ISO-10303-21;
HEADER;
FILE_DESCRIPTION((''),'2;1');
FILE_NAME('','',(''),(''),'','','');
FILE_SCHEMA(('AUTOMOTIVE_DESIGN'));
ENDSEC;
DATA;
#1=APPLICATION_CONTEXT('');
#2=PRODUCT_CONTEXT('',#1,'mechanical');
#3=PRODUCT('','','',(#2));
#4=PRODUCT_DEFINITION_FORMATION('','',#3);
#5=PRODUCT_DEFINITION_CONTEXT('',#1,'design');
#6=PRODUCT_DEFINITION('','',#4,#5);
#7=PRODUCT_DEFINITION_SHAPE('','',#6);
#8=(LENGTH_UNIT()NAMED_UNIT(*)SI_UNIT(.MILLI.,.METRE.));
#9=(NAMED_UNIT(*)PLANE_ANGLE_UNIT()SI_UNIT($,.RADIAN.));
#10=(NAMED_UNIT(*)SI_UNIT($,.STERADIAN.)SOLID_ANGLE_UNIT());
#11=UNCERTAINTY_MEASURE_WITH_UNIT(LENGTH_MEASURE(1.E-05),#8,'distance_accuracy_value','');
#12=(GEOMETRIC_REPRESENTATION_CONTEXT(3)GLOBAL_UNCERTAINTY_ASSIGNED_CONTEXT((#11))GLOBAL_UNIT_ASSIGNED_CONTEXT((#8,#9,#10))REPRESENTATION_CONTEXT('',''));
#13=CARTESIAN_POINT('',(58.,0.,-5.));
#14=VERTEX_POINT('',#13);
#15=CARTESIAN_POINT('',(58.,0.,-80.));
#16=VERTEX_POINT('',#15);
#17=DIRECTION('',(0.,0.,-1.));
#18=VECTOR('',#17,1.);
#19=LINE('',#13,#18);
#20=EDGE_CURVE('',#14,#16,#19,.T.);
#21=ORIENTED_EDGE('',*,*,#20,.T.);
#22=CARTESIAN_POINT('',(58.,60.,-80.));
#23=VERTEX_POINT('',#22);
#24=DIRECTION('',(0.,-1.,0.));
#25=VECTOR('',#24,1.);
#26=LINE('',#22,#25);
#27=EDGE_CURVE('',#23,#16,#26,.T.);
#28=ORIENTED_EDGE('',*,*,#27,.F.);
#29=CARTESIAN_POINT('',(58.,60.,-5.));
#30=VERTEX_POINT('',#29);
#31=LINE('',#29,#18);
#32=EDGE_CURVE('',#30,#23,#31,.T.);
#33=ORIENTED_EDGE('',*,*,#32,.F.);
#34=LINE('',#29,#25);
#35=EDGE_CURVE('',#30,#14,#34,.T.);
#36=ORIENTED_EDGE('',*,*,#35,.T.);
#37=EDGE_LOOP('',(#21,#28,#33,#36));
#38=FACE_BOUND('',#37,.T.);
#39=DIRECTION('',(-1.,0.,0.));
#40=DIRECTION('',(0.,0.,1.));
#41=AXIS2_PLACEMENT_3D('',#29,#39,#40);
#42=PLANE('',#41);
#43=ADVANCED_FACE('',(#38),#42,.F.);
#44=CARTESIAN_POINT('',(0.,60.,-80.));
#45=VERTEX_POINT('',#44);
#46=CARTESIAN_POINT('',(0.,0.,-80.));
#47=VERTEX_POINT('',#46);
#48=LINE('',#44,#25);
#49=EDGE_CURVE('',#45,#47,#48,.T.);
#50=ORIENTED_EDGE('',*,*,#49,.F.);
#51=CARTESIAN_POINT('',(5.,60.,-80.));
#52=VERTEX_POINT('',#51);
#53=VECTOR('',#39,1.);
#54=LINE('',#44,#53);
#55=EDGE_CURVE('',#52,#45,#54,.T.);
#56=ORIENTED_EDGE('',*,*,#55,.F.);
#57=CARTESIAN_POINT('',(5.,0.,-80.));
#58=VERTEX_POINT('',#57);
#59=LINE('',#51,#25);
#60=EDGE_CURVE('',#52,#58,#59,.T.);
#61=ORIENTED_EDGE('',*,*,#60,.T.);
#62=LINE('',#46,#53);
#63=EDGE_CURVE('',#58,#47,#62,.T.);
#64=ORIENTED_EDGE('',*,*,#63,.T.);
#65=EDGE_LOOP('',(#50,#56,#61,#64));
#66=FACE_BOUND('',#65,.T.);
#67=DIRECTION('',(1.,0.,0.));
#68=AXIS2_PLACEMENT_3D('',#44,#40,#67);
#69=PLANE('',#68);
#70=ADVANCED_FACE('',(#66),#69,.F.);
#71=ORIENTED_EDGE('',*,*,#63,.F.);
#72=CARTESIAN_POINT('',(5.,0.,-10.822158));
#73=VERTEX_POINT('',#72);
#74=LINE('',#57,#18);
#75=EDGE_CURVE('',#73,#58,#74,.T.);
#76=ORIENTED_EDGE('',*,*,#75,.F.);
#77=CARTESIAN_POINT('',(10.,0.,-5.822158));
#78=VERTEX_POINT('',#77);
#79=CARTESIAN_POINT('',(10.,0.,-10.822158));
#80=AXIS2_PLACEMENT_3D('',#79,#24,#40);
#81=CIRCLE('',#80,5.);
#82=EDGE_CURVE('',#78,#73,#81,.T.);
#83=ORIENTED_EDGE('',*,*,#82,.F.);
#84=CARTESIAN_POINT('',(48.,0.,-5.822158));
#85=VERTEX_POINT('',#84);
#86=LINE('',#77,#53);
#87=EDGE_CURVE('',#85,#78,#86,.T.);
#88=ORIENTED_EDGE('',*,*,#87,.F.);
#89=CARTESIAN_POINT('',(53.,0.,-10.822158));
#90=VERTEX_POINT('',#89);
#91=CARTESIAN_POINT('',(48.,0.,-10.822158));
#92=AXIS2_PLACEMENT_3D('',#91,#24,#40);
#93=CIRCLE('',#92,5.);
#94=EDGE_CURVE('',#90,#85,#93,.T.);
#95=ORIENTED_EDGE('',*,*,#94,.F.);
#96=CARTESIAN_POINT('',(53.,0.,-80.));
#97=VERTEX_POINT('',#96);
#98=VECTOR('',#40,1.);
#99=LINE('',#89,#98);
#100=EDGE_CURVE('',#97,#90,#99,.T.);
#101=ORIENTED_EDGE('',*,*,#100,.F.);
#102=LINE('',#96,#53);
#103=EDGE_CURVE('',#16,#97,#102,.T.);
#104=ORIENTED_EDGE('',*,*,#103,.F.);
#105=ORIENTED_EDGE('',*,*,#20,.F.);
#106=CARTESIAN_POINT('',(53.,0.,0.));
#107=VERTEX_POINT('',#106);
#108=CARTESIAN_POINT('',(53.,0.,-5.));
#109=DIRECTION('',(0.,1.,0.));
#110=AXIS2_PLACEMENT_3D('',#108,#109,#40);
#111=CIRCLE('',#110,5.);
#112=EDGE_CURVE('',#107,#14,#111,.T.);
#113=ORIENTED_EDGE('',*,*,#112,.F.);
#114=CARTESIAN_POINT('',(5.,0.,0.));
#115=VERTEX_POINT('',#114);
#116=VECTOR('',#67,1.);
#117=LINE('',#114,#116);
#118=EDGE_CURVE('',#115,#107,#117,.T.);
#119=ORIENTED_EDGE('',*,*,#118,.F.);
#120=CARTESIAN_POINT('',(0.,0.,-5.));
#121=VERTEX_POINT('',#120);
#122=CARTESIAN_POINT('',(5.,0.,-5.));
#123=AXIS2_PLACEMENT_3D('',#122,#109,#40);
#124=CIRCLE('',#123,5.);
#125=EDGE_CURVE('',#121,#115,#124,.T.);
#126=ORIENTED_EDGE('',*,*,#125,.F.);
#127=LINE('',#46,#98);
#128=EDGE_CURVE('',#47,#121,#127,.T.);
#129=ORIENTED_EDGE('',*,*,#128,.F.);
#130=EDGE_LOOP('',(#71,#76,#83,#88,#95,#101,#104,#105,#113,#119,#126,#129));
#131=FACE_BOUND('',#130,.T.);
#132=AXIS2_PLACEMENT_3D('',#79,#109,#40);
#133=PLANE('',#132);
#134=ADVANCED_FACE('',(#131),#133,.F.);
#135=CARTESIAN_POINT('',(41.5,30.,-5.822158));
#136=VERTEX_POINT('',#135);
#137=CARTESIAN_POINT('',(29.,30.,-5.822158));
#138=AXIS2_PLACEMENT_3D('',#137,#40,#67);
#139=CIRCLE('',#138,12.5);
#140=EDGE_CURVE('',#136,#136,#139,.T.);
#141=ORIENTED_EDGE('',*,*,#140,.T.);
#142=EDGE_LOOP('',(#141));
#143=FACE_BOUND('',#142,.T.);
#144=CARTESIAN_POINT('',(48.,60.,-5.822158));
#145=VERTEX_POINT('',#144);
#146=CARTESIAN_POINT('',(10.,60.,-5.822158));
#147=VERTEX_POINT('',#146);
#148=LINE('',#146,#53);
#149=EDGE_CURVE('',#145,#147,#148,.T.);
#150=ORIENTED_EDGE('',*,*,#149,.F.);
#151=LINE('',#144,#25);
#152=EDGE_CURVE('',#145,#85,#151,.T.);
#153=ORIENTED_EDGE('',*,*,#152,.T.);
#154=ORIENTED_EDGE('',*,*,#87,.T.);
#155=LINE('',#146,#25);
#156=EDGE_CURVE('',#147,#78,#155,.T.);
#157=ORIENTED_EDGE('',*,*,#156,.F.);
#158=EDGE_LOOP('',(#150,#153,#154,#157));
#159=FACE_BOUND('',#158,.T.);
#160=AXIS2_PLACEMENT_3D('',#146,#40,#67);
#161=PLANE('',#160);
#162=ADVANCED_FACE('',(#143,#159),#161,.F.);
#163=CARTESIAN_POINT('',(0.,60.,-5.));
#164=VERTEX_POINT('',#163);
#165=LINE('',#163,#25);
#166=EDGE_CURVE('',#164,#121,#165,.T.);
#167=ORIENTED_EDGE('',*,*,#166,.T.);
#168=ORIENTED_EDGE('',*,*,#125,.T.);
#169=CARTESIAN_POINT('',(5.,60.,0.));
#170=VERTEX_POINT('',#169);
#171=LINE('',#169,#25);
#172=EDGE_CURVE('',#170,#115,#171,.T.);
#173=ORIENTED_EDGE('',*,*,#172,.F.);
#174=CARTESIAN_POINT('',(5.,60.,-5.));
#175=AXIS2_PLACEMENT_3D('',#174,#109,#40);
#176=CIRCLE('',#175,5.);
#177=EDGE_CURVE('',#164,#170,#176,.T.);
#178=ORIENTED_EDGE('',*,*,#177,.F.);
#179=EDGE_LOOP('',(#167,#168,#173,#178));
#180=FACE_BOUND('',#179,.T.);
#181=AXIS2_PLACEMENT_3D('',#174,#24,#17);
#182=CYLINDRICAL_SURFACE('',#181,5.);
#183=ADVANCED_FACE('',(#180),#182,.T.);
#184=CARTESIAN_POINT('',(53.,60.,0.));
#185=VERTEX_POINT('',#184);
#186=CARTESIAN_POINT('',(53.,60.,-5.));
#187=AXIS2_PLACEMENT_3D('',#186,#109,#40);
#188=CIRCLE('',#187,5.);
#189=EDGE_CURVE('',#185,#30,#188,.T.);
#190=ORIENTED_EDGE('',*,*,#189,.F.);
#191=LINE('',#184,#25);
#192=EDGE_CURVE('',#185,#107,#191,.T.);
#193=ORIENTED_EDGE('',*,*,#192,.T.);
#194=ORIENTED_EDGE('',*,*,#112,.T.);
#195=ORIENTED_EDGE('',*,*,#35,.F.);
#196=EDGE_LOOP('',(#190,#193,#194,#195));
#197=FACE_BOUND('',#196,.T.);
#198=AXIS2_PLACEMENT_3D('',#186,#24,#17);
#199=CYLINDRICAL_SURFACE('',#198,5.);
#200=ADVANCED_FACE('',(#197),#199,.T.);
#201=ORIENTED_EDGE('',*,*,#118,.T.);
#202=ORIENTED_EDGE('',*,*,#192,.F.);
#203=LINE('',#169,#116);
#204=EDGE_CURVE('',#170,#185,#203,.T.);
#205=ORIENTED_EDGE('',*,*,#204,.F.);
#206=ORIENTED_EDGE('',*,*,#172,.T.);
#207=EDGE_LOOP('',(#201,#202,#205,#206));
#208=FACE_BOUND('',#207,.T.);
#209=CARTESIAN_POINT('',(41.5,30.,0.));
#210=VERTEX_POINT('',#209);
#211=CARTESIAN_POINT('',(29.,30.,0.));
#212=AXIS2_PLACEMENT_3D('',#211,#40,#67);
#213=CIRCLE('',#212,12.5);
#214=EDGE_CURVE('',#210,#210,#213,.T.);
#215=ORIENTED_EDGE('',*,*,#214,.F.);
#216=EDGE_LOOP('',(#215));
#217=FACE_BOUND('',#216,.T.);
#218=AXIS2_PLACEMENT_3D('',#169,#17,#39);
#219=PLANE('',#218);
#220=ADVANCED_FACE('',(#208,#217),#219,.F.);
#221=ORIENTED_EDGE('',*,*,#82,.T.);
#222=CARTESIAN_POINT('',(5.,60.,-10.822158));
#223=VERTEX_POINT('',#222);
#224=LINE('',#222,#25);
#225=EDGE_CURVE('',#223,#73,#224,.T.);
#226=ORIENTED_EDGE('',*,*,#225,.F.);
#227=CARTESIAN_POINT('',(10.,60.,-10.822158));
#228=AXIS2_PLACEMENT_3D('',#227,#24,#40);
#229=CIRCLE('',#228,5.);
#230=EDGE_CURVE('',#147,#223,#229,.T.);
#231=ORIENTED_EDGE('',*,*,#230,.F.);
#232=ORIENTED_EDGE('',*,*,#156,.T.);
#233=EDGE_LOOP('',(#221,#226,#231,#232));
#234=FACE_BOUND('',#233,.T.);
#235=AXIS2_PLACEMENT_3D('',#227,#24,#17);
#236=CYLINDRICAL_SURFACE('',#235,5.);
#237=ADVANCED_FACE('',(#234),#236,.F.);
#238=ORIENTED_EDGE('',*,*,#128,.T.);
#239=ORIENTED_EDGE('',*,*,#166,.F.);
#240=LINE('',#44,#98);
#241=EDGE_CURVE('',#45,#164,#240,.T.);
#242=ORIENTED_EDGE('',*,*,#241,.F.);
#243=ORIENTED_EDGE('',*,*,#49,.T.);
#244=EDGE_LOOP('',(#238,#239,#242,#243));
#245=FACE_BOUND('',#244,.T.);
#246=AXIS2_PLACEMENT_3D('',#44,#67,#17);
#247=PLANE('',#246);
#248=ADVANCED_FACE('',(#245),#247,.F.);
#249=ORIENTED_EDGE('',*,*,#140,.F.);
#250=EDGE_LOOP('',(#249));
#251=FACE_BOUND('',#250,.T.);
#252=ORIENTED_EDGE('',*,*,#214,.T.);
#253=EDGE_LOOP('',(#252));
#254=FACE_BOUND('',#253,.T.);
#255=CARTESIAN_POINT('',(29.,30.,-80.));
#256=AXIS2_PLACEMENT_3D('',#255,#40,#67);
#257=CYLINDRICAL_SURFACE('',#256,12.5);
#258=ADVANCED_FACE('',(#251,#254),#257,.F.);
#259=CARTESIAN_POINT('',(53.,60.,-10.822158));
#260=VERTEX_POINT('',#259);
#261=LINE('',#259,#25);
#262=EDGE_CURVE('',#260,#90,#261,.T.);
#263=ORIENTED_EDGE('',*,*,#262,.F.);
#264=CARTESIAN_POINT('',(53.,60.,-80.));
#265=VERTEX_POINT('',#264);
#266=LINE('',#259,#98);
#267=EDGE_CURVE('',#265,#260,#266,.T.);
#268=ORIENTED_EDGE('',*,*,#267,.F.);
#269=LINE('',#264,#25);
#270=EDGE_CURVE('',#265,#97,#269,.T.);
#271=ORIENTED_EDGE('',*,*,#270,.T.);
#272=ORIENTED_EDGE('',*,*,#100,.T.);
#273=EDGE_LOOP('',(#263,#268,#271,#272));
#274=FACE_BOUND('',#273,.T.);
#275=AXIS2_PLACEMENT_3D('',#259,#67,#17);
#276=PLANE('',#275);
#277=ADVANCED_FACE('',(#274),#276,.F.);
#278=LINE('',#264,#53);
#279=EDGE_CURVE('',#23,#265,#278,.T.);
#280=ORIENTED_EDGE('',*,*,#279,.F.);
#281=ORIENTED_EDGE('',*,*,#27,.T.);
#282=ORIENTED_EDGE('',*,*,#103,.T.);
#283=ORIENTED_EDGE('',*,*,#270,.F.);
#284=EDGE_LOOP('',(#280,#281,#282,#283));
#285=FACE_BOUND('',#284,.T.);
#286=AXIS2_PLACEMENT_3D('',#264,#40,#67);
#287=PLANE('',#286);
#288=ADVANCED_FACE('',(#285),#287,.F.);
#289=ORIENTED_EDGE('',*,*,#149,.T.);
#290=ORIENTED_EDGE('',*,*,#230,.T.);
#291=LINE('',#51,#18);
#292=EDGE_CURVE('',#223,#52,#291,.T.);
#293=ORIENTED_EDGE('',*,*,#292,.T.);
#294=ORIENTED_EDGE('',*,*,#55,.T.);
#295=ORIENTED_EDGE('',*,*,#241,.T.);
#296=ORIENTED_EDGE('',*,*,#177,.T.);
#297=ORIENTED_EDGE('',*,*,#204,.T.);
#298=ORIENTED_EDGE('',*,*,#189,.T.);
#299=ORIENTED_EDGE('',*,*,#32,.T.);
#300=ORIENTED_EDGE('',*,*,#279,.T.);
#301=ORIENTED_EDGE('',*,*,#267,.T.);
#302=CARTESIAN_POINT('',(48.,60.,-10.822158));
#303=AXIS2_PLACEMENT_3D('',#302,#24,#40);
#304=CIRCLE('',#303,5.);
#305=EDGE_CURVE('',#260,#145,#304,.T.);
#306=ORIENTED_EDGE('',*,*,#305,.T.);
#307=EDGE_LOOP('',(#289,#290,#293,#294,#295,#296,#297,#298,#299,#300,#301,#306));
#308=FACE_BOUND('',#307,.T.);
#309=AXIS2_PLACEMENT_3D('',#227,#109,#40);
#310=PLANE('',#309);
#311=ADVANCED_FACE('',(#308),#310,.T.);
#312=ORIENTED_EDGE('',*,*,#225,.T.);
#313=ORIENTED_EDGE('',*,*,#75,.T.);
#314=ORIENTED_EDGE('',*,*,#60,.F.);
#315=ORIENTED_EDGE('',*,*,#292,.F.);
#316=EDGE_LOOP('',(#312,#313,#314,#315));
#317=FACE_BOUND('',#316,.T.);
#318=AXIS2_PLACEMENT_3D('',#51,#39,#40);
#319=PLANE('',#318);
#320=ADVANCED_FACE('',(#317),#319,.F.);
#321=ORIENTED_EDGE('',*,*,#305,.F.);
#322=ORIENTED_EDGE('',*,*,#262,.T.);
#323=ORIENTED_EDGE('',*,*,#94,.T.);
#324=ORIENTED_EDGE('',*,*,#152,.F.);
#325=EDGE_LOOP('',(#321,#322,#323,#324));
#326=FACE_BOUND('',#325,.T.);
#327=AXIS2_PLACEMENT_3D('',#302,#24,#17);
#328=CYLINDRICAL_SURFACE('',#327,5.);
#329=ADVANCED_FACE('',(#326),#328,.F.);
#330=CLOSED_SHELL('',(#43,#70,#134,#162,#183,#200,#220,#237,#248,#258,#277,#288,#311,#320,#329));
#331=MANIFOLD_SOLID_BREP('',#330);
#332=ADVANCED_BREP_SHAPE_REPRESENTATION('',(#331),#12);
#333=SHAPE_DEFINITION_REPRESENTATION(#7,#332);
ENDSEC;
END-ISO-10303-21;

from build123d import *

# Parameters (mm, degrees)
EXTRUDE_1_DEPTH     = 60
SKETCH_2_R          = 12.5
CUT_EXTRUDE_1_DEPTH = 81


with BuildPart() as part:
    # Эскиз1 → Бобышка-Вытянуть1 (new body)
    with BuildSketch(Plane(origin=(0, 0, 0), x_dir=(1, 0, 0), z_dir=(0, 1, 0))):
        with BuildLine():
            Line((0, 80), (0, 5))
            ThreePointArc((0, 5), (1.464466094, 1.464466094), (5, 0))
            Line((5, 0), (53, 0))
            ThreePointArc((53, 0), (56.535533906, 1.464466094), (58, 5))
            Line((58, 5), (58, 80))
            Line((58, 80), (53, 80))
            Line((53, 80), (53, 10.822157735))
            ThreePointArc((53, 10.822157735), (51.535533906, 7.286623829), (48, 5.822157735))
            Line((48, 5.822157735), (10, 5.822157735))
            ThreePointArc((10, 5.822157735), (6.464466094, 7.286623829), (5, 10.822157735))
            Line((5, 10.822157735), (5, 80))
            Line((5, 80), (0, 80))
        make_face()
    extrude(amount=EXTRUDE_1_DEPTH)

    # Эскиз2 → Вырез-Вытянуть1 (cut, through all)
    with BuildSketch(Plane.XY):
        with Locations((29, 30)):
            Circle(SKETCH_2_R)
    extrude(amount=-CUT_EXTRUDE_1_DEPTH, mode=Mode.SUBTRACT)


solid = part.part
